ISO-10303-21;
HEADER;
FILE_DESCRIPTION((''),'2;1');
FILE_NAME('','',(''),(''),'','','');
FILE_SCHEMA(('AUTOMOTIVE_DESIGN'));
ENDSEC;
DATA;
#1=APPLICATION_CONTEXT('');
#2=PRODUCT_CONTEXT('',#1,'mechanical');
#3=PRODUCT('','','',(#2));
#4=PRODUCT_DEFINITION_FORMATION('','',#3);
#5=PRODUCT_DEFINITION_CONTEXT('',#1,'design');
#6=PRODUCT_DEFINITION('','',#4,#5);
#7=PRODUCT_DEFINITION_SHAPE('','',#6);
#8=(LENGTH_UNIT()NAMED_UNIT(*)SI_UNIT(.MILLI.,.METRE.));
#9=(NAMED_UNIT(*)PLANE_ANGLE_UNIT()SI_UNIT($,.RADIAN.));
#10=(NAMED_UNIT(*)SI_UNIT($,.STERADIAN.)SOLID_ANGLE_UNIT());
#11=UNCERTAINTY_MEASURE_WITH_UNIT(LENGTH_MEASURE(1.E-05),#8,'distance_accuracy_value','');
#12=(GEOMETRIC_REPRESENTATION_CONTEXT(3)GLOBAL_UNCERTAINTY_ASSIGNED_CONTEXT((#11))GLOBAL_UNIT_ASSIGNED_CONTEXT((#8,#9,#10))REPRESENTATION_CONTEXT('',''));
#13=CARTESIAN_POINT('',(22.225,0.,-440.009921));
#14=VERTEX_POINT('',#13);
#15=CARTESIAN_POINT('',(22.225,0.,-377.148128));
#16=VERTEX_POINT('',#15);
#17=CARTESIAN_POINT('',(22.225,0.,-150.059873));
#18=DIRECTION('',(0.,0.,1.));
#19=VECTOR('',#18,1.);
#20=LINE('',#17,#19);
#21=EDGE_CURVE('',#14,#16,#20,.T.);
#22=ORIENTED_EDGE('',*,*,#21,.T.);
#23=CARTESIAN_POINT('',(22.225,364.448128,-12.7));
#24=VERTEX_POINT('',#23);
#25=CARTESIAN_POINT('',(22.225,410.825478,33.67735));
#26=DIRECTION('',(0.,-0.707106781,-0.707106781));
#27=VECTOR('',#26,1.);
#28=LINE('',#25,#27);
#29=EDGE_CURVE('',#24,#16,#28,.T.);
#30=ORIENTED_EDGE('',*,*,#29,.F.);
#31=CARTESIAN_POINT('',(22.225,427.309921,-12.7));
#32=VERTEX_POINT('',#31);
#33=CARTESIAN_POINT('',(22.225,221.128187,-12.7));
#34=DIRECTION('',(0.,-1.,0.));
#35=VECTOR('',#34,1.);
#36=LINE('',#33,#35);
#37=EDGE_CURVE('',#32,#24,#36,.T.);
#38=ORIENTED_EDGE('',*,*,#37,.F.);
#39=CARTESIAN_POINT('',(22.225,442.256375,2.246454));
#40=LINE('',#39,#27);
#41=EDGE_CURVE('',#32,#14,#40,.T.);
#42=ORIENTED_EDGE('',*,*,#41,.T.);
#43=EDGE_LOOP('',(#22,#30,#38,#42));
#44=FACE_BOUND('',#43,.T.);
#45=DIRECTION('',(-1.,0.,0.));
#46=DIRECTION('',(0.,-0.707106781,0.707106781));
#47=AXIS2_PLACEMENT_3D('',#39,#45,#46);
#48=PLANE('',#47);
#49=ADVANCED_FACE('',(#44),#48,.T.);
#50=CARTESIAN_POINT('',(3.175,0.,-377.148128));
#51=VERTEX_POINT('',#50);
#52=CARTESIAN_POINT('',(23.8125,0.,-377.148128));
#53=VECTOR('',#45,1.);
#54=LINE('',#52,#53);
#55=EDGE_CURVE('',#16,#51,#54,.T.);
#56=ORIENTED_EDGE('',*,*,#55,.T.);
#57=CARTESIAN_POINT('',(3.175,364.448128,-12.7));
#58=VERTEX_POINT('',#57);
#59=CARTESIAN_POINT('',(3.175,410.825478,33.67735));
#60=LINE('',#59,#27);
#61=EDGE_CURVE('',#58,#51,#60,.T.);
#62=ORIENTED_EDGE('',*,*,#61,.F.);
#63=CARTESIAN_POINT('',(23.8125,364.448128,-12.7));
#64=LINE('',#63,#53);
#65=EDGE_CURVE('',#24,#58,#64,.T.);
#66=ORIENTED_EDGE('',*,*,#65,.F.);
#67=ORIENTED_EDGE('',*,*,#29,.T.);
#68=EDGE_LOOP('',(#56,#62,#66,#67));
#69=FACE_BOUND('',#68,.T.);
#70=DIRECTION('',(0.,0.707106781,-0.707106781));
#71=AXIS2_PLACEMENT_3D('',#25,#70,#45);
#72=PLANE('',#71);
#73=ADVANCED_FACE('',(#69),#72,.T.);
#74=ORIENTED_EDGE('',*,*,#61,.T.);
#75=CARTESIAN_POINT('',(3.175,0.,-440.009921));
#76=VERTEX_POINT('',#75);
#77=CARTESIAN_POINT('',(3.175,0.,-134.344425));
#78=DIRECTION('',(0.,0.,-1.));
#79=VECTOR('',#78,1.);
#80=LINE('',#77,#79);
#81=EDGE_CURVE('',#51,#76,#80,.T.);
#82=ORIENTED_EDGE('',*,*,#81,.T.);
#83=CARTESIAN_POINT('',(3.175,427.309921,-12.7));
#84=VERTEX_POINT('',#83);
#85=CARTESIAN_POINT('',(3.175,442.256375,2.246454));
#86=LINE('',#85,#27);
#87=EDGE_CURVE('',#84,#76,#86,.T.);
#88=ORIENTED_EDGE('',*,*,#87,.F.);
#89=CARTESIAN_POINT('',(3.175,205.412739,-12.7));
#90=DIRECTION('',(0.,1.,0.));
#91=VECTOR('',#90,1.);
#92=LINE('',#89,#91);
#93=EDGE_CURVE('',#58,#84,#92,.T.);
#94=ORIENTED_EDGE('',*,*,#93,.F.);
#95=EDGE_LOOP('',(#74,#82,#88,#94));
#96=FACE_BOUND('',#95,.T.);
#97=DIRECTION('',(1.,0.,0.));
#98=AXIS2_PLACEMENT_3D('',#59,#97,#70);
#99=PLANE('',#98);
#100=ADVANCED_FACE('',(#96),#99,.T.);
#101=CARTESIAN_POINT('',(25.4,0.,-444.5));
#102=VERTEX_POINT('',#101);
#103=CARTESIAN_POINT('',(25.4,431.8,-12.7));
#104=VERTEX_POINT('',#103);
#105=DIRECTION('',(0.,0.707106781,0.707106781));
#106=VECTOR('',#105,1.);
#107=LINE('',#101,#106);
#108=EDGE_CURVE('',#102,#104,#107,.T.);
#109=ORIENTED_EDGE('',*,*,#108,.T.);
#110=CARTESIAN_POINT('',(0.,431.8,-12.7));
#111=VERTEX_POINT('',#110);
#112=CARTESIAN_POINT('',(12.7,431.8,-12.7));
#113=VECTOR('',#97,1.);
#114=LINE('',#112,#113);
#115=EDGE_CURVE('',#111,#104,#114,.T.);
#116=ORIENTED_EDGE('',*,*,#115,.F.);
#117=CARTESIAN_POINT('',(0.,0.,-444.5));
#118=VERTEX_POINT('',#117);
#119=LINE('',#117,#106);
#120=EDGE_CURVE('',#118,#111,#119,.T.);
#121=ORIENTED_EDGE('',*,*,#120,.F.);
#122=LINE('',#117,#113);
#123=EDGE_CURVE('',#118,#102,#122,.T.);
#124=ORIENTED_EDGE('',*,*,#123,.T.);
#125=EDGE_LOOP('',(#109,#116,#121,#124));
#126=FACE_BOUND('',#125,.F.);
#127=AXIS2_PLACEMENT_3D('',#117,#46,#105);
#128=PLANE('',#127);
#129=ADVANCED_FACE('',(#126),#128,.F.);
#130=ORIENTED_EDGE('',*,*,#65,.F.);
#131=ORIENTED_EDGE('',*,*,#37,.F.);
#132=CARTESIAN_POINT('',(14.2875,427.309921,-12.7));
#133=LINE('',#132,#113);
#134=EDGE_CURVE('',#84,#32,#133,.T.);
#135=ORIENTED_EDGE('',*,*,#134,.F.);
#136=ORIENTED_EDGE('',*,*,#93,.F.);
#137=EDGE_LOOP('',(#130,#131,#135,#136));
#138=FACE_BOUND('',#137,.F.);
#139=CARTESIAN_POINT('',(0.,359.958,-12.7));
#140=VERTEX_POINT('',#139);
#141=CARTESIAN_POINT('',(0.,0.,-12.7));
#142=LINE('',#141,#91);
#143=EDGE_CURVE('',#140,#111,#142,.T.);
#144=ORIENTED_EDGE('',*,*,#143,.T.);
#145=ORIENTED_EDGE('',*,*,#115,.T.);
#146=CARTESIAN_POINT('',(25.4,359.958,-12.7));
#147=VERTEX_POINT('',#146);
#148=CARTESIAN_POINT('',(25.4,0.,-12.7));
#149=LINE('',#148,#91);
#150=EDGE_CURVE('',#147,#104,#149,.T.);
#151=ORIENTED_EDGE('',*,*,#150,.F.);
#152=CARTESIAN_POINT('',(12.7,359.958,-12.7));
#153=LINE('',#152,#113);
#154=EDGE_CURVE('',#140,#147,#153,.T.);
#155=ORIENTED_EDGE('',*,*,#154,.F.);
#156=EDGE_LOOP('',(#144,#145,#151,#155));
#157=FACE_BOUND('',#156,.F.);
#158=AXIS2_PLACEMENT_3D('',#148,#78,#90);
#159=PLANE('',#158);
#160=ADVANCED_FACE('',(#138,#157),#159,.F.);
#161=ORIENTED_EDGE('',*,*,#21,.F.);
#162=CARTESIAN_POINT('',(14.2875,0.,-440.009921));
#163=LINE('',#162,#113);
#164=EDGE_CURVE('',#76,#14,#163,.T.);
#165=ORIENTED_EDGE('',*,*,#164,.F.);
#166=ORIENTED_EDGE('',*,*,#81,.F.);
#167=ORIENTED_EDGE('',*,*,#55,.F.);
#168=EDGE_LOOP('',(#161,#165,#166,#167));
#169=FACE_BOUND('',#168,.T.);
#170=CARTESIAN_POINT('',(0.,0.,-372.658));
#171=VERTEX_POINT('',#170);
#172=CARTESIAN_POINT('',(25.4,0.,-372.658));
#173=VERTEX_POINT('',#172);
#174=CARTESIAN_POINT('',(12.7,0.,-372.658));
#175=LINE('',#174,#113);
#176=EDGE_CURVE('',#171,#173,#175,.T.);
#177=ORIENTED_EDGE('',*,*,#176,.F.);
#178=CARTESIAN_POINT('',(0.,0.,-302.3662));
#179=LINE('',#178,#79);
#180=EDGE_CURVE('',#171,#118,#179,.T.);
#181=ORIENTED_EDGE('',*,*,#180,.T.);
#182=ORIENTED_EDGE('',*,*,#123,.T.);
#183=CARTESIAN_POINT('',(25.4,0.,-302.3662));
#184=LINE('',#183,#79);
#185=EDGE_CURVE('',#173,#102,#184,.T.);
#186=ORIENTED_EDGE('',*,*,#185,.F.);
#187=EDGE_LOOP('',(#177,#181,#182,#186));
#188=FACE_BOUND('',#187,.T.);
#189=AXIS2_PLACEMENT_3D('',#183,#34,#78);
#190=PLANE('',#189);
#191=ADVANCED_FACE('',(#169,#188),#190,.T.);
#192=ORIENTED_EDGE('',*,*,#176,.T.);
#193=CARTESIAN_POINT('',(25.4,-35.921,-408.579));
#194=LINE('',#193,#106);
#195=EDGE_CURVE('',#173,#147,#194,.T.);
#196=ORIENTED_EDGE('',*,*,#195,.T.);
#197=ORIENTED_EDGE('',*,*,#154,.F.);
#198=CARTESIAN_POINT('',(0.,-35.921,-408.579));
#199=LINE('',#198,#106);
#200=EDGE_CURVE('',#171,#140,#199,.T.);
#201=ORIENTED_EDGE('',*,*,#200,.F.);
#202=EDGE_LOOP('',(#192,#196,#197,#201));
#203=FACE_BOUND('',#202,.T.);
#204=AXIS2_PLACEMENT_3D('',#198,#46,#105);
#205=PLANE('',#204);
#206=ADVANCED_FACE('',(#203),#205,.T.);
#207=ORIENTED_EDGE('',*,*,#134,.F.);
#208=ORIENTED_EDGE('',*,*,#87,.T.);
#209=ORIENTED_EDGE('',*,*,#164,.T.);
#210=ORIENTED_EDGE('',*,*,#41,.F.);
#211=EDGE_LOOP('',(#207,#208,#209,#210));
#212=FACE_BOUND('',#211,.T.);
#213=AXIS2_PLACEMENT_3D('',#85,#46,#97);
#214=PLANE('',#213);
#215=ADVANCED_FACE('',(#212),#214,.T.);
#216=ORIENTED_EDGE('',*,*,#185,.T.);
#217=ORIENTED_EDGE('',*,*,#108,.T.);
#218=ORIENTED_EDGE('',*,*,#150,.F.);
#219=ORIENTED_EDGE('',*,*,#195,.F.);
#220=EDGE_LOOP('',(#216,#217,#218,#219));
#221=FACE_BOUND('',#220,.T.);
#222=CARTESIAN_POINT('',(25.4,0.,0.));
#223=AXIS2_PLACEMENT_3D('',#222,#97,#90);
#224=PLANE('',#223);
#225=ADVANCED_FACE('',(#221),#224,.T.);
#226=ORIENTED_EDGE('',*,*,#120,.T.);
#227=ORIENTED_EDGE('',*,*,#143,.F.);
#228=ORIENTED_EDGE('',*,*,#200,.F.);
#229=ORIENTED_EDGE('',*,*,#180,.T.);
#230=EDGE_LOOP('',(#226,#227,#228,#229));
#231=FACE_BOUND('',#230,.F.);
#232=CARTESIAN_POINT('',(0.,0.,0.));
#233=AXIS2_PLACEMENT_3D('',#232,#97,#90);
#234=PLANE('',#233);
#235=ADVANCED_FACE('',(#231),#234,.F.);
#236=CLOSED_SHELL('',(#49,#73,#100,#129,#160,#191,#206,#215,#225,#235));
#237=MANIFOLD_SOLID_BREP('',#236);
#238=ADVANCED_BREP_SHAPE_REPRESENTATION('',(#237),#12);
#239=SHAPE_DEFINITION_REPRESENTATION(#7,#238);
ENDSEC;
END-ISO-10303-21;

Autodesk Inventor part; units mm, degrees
ref_plane "YZ Plane" through (0, 0, 0) normal (1, 0, 0) x (0, 1, 0)
ref_plane "XZ Plane" through (0, 0, 0) normal (0, 1, 0) x (-1, 0, 0)
ref_plane "XY Plane" through (0, 0, 0) normal (0, 0, 1) x (1, 0, 0)
sketch "Sketch1" plane through (0, 0, 0) normal (1, 0, 0) x (0, 1, 0)
  line L0 (0, -444.5) -> (444.5, 0)
  line L1 (-35.921, -408.579) -> (408.579, 35.921)
  line L2 (0, -444.5) -> (-35.921, -408.579)
  line L3 (408.579, 35.921) -> (444.5, 0)
  point P0 (0, 0)
  dimension "d1" = 444.5
  dimension "d3" = 50.8
extrude "Extrusion1" add sketch "Sketch1" along normal blind 25.4
sketch "Sketch2" plane through (0, 408.579, 35.921) normal (0, 0.7071, 0.7071) x (1, 0, 0)
  line L0 (0, 50.8) -> (0, 0) projected
  line L1 (0, 0) -> (25.4, 0)
  line L2 (25.4, 0) -> (25.4, 50.8)
  line L3 (25.4, 50.8) -> (0, 50.8)
  line L4 (0, 50.8) -> (0, 0)
  line L5 (3.175, 47.625) -> (22.225, 47.625)
  line L6 (22.225, 47.625) -> (22.225, 3.175)
  line L7 (22.225, 3.175) -> (3.175, 3.175)
  line L8 (3.175, 3.175) -> (3.175, 47.625)
  point P0 (0, -263.509)
  dimension "d6" = 3.175
extrude "Extrusion2" cut sketch "Sketch2" against normal blind 762 contours L5 L6 L7 L8
sketch "Sketch3" plane through (25.4, 0, 0) normal (1, 0, 0) x (0, 0, -1)
  line L0 (444.5, 0) -> (0, 444.5) projected
  line L1 (0, 444.5) -> (0, 339.9202)
  line L2 (0, 339.9202) -> (302.3662, 0)
  line L3 (302.3662, 0) -> (653.5481, 0)
  line L4 (653.5481, 0) -> (477.9571, -156.1918)
  line L5 (477.9571, -156.1918) -> (43.0071, -156.1918)
  line L6 (43.0071, -156.1918) -> (-176.0789, 222.25)
  line L7 (-176.0789, 222.25) -> (-134.1948, 471.4919)
  line L8 (-134.1948, 471.4919) -> (0, 494.0448)
  line L9 (0, 494.0448) -> (0, 444.5)
  point P0 (0, 0)
extrude "Extrusion3" cut sketch "Sketch3" against normal blind 25.4 contours L3 L4 L5 L6 L7 L8 L9 L1 L2
sketch "Sketch4" plane through (25.4, 0, 0) normal (1, 0, 0) x (0, 0, -1)
  line L0 (0, 0) -> (12.7, 0)
  line L1 (12.7, 0) -> (12.7, 805.7013)
  line L2 (12.7, 805.7013) -> (-196.8353, 855.7921)
  line L3 (-196.8353, 855.7921) -> (-242.5704, 324.3941)
  line L4 (-242.5704, 324.3941) -> (0, 0)
  dimension "d11" = 12.7
extrude "Extrusion4" cut sketch "Sketch4" against normal blind 25.4
properties part number "liftanglebar" material "Aluminum 6061"
